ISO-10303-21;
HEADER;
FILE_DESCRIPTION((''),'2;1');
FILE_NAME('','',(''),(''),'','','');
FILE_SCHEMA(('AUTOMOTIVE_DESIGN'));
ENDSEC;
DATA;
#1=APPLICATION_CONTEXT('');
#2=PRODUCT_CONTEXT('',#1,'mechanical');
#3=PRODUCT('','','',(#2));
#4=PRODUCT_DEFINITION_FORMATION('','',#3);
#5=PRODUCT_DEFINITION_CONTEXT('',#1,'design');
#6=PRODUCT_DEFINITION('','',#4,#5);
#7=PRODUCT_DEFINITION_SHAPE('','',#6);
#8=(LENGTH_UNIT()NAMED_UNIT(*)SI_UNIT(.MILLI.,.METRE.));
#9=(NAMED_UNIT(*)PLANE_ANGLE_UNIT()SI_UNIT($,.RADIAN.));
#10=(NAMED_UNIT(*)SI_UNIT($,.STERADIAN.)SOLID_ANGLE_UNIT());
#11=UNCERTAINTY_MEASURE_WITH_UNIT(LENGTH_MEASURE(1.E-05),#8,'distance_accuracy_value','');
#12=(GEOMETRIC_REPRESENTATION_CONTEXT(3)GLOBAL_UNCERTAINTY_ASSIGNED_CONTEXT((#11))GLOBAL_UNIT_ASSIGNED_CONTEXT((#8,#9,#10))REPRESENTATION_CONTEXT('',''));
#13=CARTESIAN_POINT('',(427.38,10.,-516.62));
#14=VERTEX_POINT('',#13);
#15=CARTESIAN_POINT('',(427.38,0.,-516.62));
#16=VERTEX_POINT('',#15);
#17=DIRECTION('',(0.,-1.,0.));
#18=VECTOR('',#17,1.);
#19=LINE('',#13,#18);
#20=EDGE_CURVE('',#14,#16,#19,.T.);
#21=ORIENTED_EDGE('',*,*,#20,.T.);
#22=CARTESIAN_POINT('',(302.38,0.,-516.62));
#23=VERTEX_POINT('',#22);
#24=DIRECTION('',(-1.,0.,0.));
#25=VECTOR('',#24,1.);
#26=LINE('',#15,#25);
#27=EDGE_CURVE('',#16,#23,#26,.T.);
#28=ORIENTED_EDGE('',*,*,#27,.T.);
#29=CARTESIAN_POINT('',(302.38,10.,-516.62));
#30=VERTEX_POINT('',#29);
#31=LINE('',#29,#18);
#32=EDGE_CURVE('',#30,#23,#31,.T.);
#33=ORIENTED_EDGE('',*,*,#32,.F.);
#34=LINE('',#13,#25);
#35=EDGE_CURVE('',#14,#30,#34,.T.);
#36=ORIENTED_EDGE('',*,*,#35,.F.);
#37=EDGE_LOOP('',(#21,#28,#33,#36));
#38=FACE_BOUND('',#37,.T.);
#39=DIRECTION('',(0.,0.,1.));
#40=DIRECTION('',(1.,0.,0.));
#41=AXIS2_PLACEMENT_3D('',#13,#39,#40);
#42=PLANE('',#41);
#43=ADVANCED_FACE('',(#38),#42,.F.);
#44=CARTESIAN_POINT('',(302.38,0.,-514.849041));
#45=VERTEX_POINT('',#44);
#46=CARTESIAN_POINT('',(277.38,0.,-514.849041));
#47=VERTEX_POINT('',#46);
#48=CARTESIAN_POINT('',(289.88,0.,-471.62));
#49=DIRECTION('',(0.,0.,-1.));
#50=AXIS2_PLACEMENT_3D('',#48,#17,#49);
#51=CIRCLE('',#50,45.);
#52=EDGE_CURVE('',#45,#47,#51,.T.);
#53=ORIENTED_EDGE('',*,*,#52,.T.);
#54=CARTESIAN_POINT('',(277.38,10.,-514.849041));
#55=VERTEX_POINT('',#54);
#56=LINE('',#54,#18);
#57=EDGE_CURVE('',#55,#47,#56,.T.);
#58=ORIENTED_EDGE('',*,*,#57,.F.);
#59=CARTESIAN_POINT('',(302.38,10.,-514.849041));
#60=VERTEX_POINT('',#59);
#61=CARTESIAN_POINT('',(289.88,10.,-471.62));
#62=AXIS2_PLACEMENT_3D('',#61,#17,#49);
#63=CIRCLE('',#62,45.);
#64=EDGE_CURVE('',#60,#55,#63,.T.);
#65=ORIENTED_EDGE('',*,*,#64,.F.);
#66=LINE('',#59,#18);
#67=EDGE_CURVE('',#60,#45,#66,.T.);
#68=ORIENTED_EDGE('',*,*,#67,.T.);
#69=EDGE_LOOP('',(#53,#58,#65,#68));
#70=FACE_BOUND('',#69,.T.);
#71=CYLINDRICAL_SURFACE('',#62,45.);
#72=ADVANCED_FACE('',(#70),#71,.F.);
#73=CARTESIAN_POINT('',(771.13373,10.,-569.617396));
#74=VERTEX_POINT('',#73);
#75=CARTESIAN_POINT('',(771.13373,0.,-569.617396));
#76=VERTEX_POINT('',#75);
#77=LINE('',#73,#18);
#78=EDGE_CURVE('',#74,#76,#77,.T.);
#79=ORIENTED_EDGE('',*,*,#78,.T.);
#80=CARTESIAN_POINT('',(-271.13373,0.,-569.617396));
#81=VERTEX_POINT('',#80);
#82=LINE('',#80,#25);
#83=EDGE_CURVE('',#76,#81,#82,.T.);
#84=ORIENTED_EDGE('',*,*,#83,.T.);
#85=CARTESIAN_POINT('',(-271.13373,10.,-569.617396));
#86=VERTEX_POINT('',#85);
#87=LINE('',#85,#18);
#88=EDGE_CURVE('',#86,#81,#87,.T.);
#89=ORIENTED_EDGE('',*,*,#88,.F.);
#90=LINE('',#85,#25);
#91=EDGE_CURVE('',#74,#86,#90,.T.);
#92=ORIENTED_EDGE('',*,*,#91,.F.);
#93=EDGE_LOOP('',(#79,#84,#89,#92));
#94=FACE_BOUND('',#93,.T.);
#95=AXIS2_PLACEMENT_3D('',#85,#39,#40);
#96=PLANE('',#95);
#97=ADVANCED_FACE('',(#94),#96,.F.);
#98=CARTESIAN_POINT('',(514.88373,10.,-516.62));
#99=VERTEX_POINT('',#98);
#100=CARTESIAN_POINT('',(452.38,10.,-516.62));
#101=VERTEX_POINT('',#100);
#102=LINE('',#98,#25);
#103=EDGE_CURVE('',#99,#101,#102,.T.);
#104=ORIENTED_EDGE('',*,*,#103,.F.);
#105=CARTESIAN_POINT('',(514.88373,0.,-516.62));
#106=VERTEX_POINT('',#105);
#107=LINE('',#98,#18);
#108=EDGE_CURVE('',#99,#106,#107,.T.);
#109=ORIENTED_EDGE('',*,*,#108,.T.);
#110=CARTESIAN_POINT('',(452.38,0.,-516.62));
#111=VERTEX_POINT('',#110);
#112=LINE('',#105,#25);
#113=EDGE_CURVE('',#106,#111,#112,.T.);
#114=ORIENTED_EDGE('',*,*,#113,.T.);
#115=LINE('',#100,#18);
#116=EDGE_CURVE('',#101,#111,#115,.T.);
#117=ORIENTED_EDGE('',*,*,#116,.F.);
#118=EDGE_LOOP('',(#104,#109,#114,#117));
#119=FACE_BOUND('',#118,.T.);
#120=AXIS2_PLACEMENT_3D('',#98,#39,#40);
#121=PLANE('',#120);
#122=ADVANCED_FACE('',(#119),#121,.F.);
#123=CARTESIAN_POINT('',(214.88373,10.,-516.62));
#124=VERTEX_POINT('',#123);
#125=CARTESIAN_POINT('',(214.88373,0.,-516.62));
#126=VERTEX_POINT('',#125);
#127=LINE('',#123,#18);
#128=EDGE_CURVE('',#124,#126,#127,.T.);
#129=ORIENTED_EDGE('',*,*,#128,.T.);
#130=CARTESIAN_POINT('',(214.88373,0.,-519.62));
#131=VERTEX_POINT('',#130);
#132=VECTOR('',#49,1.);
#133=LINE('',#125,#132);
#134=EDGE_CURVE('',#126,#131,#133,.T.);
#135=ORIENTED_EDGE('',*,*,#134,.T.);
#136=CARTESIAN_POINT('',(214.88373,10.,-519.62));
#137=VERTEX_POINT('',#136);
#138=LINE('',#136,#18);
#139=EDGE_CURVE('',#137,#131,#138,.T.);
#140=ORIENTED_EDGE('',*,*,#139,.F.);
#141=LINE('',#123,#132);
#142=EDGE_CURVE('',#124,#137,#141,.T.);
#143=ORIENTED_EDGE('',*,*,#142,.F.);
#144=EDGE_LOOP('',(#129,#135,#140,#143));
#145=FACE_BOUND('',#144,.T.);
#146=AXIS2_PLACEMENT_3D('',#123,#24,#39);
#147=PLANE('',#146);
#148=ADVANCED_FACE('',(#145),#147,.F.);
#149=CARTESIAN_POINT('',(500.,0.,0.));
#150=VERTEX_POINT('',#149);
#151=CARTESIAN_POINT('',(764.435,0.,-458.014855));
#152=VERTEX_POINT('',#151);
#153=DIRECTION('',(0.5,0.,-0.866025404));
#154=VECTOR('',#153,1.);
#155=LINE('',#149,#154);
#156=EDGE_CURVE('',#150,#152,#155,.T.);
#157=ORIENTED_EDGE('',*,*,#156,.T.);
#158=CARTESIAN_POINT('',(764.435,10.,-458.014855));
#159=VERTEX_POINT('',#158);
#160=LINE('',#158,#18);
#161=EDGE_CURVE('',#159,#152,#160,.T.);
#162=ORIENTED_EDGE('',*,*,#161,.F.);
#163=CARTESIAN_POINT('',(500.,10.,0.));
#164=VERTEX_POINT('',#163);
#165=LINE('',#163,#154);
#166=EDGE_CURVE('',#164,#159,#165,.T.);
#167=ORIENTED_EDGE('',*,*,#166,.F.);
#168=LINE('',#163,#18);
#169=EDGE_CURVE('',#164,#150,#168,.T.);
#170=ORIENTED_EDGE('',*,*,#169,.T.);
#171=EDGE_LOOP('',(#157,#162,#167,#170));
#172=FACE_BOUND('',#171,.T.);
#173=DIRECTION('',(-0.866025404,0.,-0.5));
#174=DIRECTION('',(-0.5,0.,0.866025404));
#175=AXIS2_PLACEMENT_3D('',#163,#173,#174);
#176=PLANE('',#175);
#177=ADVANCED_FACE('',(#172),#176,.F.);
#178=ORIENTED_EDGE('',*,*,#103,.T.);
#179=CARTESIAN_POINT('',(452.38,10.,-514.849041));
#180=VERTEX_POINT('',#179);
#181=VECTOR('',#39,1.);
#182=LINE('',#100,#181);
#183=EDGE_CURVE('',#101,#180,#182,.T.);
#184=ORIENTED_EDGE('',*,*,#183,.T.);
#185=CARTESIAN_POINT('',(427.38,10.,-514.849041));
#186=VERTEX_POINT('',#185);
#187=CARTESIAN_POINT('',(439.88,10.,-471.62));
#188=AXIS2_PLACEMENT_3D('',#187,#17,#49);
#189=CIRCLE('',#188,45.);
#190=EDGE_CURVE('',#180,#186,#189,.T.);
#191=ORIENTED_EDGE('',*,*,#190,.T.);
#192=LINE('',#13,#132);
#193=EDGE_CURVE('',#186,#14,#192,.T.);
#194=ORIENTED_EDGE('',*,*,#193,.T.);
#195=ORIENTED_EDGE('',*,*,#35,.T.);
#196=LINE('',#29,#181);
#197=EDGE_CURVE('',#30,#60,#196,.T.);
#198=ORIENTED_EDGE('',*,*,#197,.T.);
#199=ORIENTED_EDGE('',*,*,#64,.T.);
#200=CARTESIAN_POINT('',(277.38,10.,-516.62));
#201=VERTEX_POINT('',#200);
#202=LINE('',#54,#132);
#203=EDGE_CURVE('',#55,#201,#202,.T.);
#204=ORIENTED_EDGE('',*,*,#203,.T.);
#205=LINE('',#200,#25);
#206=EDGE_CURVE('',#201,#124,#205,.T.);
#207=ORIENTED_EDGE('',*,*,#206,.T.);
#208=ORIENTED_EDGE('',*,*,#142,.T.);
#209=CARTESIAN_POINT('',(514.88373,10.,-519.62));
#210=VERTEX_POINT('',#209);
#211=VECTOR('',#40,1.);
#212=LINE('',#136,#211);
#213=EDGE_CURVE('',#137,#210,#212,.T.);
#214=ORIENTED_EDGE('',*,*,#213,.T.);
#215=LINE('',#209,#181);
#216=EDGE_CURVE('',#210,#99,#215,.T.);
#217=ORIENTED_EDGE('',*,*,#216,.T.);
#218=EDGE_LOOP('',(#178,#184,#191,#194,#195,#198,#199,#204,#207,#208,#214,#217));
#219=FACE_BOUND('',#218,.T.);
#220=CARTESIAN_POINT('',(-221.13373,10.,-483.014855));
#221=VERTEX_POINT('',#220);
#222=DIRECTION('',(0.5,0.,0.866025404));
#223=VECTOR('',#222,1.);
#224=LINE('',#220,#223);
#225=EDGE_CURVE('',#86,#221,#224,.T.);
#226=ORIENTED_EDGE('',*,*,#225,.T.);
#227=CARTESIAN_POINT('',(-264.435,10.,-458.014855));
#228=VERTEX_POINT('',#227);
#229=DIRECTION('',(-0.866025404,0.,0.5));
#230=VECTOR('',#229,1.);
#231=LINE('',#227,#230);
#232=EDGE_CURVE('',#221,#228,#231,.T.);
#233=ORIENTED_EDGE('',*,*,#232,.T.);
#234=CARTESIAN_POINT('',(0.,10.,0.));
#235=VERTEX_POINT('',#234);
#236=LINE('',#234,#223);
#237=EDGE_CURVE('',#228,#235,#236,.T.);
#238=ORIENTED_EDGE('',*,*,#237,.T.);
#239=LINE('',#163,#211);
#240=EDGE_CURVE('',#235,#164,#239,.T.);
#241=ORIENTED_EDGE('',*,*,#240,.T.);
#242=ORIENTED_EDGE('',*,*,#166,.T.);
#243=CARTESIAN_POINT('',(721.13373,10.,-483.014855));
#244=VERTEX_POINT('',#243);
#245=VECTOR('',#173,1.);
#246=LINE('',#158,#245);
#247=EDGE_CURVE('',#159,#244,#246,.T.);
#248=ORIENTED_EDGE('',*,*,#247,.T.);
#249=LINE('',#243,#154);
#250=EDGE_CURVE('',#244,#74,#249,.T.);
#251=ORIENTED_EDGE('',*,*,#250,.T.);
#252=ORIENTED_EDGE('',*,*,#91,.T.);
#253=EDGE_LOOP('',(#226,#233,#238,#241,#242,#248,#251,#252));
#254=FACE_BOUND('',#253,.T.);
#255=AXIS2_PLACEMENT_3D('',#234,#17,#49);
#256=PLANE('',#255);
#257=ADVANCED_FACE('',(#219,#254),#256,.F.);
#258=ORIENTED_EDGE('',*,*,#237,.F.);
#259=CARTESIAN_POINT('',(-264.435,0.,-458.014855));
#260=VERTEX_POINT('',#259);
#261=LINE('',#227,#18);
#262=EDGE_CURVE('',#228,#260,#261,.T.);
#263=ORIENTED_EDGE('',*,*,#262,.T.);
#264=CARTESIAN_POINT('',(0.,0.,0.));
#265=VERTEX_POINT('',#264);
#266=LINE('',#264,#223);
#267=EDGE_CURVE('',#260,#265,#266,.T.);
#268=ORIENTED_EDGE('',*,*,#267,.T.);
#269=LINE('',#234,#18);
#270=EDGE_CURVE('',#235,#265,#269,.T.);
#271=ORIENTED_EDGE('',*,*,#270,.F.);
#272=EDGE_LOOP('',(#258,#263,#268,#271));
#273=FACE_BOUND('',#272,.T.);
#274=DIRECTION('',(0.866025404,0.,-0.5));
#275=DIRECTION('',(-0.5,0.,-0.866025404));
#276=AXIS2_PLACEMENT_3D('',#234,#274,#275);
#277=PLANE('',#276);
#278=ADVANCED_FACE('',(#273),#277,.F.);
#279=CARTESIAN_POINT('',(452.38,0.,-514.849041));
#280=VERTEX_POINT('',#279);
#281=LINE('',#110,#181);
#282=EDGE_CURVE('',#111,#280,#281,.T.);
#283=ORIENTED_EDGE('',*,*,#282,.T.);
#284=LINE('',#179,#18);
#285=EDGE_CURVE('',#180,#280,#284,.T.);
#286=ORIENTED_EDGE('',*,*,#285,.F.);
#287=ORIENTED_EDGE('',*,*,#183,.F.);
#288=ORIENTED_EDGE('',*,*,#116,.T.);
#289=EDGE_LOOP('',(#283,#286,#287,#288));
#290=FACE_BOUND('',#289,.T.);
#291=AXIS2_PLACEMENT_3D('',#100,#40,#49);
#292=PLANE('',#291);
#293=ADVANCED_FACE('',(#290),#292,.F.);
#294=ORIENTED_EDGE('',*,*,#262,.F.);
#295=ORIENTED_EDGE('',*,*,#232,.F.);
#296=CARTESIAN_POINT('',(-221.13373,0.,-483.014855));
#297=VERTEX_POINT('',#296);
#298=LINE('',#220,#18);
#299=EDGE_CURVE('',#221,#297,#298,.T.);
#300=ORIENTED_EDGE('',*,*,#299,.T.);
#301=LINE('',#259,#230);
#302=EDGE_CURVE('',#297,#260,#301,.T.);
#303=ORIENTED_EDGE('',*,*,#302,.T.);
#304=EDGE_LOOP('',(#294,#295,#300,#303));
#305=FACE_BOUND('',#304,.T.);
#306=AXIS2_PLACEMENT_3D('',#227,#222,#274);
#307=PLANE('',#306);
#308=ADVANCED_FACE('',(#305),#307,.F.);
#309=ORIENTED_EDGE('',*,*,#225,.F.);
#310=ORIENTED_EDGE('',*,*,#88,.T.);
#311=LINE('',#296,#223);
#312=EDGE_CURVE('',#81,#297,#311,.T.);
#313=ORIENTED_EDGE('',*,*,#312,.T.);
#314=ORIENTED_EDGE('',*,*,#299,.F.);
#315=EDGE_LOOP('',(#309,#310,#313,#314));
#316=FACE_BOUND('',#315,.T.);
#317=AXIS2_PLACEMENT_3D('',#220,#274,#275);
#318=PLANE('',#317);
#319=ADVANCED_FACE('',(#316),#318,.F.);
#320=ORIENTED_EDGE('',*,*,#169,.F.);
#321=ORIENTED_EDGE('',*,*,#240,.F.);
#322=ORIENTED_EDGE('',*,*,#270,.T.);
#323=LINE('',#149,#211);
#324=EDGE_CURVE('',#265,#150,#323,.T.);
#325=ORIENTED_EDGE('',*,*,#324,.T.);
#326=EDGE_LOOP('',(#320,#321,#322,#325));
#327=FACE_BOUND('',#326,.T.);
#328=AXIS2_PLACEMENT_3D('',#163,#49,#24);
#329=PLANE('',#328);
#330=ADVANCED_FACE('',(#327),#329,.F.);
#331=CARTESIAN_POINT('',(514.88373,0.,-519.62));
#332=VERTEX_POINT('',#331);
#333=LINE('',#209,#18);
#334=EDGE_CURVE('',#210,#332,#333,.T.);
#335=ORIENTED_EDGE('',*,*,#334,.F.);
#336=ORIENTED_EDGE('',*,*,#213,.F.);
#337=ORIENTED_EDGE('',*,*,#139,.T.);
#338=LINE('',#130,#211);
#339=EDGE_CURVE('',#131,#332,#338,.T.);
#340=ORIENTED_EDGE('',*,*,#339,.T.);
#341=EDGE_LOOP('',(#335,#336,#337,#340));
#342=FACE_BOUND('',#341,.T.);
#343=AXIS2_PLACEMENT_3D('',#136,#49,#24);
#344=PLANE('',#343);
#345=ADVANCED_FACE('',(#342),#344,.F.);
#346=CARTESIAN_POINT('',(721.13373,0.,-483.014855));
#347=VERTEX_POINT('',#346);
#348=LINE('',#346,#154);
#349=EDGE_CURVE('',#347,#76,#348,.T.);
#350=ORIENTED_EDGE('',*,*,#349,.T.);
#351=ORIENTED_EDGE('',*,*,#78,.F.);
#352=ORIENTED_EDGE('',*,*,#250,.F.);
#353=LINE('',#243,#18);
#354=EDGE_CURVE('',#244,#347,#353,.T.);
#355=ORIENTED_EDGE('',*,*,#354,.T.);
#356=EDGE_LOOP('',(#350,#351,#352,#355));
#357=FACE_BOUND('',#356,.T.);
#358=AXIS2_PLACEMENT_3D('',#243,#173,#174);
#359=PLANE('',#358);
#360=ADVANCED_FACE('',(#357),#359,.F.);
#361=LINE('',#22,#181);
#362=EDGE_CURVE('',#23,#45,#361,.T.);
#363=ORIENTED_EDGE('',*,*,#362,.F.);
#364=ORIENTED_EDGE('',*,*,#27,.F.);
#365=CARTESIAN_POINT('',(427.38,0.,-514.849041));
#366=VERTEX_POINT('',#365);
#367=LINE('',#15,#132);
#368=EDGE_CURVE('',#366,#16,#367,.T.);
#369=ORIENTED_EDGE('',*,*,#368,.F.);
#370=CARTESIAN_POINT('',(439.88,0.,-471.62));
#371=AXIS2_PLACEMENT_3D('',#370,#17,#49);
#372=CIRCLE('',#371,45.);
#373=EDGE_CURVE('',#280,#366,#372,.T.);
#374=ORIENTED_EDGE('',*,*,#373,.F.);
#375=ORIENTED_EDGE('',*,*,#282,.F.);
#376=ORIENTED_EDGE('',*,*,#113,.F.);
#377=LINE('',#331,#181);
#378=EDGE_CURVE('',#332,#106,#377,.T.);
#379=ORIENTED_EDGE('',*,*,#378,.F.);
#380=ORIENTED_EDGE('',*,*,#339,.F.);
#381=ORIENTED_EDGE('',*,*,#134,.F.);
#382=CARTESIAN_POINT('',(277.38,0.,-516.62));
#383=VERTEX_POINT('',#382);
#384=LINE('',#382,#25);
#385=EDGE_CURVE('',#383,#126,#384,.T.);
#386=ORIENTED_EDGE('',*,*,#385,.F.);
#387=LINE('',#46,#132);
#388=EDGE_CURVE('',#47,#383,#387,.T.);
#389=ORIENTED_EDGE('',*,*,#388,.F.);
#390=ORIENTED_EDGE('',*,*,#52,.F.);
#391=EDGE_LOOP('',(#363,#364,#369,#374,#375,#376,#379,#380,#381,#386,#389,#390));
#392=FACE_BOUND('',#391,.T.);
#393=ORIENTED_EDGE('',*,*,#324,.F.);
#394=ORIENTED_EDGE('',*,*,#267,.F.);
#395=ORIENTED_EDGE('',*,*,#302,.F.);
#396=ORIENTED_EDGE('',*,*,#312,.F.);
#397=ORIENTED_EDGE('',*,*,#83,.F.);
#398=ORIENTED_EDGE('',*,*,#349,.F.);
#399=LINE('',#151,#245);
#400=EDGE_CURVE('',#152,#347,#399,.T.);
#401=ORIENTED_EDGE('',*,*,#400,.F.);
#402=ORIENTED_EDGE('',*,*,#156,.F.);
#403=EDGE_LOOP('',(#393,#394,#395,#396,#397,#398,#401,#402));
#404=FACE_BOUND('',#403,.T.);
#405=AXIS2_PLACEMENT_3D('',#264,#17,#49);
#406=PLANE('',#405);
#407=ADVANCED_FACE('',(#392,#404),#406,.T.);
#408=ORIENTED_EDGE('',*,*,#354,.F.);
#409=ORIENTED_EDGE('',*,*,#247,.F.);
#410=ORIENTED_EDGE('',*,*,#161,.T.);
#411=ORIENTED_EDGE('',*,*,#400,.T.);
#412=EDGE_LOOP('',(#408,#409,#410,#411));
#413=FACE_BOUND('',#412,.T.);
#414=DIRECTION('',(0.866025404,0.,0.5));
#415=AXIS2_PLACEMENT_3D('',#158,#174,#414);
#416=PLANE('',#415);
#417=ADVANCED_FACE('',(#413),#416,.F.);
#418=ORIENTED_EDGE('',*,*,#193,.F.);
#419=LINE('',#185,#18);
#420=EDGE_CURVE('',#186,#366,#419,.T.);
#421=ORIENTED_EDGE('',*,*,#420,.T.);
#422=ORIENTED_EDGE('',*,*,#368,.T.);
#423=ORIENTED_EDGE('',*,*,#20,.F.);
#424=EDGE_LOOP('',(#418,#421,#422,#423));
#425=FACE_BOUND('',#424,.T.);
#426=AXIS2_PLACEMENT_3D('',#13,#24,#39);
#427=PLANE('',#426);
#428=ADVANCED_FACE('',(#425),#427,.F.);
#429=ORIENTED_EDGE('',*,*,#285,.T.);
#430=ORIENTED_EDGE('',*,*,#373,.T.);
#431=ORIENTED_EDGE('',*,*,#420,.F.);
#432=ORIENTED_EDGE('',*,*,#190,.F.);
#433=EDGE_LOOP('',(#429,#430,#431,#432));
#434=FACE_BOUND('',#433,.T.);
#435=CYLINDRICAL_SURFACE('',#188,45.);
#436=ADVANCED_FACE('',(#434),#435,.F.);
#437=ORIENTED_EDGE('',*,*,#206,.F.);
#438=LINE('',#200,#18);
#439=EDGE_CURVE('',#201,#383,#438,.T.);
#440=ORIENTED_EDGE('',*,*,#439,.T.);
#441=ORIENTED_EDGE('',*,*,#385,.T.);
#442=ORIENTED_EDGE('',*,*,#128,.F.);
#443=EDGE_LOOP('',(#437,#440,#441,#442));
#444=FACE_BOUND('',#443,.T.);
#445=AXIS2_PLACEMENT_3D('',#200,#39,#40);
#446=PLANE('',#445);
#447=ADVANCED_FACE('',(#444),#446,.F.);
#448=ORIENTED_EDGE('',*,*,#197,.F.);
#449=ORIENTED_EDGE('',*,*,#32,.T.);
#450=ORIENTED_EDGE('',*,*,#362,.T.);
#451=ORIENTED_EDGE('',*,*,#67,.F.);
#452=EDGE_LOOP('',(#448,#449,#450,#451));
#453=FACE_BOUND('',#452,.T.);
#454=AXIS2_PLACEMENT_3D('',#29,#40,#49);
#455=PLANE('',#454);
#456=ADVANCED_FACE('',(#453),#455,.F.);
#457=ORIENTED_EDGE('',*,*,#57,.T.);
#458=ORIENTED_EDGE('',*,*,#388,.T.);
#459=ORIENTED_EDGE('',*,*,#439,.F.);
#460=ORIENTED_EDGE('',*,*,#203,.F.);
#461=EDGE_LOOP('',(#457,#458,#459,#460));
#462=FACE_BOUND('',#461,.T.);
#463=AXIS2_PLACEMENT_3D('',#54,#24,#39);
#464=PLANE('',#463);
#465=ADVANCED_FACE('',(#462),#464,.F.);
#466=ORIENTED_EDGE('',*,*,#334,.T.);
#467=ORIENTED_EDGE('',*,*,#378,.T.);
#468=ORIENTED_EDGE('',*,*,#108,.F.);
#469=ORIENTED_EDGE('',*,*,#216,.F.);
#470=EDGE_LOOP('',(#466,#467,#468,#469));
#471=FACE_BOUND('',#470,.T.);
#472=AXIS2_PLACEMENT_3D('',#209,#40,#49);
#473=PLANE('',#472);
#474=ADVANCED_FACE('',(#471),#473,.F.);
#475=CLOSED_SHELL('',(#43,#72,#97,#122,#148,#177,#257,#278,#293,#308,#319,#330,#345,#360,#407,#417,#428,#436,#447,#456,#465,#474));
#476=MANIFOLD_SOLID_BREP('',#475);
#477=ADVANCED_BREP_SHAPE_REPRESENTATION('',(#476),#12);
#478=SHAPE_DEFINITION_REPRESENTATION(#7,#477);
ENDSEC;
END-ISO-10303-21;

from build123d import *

# Parameters (mm, degrees)
BOSS_EXTRUDE1_DEPTH = 10
CUT_EXTRUDE6_DEPTH  = 10


with BuildPart() as part:
    # Sketch1 → Boss-Extrude1 (new body)
    with BuildSketch(Plane(origin=(0, 0, 0), x_dir=(1, 0, 0), z_dir=(0, 1, 0))):
        Polygon((-271.133729811, 569.617395678), (771.133729811, 569.617395678), (721.133729811, 483.014855299), (764.435, 458.014855299), (500, 0), (0, 0), (-264.435, 458.014855299), (-221.133729811, 483.014855299), align=None)
    extrude(amount=BOSS_EXTRUDE1_DEPTH)

    # Sketch2 → Cut-Extrude6 (cut)
    with BuildSketch(Plane(origin=(0, 0, 0), x_dir=(-1, 0, 0), z_dir=(0, -1, 0))):
        with BuildLine():
            Line((-514.883729811, 519.62), (-514.883729811, 516.62))
            Line((-514.883729811, 516.62), (-452.38, 516.62))
            Line((-452.38, 516.62), (-452.38, 514.849041164))
            ThreePointArc((-452.38, 514.849041164), (-439.88, 426.62), (-427.38, 514.849041164))
            Line((-427.38, 514.849041164), (-427.38, 516.62))
            Line((-427.38, 516.62), (-302.38, 516.62))
            Line((-302.38, 516.62), (-302.38, 514.849041164))
            ThreePointArc((-302.38, 514.849041164), (-289.88, 426.62), (-277.38, 514.849041164))
            Line((-277.38, 514.849041164), (-277.38, 516.62))
            Line((-277.38, 516.62), (-214.883729811, 516.62))
            Line((-214.883729811, 516.62), (-214.883729811, 519.62))
            Line((-214.883729811, 519.62), (-514.883729811, 519.62))
        make_face()
    extrude(amount=-CUT_EXTRUDE6_DEPTH, mode=Mode.SUBTRACT)


solid = part.part
